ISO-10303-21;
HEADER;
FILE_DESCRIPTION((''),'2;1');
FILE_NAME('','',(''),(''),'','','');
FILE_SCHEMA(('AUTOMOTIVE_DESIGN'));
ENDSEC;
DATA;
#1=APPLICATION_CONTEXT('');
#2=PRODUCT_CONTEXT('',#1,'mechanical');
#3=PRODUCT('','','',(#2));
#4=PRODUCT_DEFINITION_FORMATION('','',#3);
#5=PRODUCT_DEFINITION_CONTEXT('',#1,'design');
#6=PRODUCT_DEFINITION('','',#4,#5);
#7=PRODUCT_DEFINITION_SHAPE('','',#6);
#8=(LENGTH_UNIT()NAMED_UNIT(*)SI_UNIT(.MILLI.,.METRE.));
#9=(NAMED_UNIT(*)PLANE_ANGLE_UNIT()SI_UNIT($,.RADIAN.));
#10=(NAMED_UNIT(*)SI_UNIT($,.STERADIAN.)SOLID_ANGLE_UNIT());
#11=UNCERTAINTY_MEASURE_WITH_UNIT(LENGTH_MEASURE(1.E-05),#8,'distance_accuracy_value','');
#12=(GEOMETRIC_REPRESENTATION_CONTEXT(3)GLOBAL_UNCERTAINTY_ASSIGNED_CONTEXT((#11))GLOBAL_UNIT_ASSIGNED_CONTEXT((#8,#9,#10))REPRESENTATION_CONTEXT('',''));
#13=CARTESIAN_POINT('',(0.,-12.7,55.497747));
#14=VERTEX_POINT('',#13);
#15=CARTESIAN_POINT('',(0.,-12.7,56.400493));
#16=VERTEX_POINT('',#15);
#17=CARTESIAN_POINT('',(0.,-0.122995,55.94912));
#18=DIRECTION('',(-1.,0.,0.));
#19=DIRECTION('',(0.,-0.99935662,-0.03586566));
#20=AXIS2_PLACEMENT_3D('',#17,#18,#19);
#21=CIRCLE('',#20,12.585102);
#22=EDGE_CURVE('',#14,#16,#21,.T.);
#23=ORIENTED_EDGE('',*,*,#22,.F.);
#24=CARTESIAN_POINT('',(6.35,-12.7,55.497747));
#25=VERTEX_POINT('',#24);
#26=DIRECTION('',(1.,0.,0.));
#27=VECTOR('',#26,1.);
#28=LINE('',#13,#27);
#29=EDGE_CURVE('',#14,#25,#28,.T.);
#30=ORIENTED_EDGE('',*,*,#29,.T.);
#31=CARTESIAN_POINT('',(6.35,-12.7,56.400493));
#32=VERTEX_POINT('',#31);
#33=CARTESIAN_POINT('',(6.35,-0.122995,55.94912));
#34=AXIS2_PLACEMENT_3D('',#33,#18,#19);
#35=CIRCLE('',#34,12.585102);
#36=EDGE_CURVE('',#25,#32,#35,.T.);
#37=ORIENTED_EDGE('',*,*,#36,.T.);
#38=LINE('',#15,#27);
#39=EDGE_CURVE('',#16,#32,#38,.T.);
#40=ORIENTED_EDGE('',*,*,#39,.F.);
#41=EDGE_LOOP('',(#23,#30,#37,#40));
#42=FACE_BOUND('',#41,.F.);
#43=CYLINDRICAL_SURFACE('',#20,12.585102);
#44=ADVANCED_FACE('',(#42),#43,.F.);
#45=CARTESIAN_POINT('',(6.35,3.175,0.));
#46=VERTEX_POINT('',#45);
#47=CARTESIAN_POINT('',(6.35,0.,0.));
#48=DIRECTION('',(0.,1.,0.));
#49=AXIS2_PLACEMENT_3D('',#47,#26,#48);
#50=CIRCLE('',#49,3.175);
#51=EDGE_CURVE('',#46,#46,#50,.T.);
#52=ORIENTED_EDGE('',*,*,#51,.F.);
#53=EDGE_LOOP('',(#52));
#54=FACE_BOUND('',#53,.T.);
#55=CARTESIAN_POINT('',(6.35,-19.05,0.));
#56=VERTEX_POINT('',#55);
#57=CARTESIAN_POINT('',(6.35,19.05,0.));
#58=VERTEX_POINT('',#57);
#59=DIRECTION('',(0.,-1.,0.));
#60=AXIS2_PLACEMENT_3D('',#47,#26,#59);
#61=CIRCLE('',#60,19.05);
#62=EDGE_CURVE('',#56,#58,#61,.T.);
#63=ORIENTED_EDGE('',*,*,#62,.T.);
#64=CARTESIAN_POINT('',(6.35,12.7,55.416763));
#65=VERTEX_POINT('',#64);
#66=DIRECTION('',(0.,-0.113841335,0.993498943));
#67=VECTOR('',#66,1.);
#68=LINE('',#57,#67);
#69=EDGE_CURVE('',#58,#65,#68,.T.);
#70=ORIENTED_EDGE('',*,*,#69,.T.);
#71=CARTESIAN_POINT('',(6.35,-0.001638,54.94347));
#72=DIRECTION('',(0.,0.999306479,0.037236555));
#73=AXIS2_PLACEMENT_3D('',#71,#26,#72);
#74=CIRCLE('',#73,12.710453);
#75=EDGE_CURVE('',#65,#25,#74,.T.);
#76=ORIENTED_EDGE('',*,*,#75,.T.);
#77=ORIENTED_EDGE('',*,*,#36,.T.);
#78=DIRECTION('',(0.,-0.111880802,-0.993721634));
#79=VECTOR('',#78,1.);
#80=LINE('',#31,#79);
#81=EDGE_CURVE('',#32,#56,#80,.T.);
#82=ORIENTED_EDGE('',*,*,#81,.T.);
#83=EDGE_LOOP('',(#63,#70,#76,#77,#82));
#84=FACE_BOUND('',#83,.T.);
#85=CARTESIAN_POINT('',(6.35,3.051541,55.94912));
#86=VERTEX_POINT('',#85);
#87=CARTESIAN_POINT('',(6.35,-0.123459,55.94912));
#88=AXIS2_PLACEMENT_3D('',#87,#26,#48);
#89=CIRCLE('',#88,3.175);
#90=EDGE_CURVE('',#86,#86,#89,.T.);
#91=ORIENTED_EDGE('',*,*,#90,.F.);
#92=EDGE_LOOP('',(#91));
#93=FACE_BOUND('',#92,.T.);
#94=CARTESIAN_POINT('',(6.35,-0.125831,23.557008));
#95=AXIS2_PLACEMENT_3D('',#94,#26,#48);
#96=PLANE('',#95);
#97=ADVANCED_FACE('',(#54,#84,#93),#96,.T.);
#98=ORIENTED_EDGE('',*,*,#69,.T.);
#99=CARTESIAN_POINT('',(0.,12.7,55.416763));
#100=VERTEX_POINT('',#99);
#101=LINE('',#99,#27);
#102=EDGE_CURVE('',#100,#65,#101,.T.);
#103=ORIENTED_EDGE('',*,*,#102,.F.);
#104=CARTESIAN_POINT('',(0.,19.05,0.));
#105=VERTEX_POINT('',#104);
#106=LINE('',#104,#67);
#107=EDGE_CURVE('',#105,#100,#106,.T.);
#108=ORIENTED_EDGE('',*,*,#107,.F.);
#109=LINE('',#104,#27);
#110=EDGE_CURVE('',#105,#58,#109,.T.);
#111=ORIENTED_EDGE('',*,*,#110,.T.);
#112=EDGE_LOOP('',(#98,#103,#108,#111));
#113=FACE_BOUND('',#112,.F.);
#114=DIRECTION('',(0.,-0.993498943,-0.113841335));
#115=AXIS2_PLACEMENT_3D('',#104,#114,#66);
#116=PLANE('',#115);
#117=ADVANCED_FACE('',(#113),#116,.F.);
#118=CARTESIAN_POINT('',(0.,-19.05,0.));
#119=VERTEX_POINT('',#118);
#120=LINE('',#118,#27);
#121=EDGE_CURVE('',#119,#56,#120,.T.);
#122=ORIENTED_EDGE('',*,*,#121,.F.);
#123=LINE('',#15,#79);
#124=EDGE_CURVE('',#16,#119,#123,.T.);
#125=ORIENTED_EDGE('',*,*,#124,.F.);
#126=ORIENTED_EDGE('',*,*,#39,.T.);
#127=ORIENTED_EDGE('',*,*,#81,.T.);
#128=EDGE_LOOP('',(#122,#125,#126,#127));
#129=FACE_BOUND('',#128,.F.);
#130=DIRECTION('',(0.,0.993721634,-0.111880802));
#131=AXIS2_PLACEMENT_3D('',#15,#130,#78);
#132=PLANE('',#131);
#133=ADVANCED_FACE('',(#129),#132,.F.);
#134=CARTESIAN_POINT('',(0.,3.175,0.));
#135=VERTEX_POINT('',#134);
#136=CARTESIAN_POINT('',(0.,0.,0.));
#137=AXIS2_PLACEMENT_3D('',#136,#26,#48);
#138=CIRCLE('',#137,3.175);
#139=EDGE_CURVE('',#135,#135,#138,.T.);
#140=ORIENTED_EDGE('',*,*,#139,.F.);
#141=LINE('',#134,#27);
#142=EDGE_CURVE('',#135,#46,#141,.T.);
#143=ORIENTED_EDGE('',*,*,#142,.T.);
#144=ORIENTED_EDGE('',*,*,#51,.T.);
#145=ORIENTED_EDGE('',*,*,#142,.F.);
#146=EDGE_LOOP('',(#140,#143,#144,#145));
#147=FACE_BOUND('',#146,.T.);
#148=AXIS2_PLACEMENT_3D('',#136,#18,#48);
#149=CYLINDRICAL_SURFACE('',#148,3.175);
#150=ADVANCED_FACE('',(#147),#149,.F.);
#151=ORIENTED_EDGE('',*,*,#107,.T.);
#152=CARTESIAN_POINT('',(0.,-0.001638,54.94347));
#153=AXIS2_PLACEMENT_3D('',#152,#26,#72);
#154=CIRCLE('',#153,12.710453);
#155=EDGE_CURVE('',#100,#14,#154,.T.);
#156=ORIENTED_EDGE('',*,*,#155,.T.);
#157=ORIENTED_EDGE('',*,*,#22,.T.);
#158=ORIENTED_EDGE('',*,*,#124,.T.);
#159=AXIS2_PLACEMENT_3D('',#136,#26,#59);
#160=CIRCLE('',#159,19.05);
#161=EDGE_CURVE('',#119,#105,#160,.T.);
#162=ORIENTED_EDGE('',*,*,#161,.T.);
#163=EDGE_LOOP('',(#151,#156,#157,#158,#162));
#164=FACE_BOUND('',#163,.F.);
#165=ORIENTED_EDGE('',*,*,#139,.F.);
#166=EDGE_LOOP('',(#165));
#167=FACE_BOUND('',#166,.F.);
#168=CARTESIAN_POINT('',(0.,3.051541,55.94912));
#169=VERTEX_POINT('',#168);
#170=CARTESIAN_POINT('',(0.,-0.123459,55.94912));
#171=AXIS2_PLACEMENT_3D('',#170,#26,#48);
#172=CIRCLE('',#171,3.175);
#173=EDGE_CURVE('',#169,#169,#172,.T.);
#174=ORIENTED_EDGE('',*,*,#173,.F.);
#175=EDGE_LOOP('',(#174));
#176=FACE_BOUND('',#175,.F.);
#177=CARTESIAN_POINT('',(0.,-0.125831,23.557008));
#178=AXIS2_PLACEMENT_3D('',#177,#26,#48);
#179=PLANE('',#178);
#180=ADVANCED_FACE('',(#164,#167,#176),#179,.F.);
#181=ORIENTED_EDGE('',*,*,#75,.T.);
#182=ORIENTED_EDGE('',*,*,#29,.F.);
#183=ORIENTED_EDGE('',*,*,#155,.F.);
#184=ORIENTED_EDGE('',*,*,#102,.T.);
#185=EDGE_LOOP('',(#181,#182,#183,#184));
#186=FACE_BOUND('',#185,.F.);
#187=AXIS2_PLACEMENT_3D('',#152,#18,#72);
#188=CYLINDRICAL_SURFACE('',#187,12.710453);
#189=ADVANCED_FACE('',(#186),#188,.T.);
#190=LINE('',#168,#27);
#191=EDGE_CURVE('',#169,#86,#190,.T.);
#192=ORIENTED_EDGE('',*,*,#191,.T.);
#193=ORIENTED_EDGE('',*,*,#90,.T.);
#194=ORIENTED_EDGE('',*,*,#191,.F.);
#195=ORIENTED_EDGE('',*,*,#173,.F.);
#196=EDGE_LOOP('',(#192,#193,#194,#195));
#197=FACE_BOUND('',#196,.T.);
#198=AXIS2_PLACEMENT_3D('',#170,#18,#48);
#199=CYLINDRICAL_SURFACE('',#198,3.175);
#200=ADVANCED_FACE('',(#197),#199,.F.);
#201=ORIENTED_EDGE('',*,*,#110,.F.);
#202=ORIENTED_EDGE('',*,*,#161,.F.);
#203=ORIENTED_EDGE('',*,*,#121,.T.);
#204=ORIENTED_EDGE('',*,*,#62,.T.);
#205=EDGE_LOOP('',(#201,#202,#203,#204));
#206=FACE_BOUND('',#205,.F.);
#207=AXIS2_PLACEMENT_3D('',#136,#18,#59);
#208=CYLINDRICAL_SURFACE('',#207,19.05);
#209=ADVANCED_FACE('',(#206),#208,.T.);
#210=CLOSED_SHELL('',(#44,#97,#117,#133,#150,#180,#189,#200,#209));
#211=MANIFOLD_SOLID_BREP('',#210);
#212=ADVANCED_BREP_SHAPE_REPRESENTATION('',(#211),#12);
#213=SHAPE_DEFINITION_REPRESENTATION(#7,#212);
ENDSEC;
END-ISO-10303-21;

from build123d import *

# Parameters (mm, degrees)
F0_R     = 3.175
F1_DEPTH = 6.35


with BuildPart() as f1:
    # F0 (on Right) → F1 (new body)
    with BuildSketch(Plane.YZ):
        with BuildLine():
            Line((-12.7, 56.400493), (-19.05, 0))
            ThreePointArc((-19.05, 0), (0, -19.05), (19.05, 0))
            Line((19.05, 0), (12.7, 55.416763))
            ThreePointArc((12.7, 55.416763), (0.038887, 67.653858), (-12.7, 55.497747))
            ThreePointArc((-12.7, 55.497747), (-12.708097, 55.94912), (-12.7, 56.400493))
        make_face()
        Circle(F0_R, mode=Mode.SUBTRACT)
        with Locations((-0.123459, 55.94912)):
            Circle(F0_R, mode=Mode.SUBTRACT)
    extrude(amount=F1_DEPTH)


solid = f1.part
